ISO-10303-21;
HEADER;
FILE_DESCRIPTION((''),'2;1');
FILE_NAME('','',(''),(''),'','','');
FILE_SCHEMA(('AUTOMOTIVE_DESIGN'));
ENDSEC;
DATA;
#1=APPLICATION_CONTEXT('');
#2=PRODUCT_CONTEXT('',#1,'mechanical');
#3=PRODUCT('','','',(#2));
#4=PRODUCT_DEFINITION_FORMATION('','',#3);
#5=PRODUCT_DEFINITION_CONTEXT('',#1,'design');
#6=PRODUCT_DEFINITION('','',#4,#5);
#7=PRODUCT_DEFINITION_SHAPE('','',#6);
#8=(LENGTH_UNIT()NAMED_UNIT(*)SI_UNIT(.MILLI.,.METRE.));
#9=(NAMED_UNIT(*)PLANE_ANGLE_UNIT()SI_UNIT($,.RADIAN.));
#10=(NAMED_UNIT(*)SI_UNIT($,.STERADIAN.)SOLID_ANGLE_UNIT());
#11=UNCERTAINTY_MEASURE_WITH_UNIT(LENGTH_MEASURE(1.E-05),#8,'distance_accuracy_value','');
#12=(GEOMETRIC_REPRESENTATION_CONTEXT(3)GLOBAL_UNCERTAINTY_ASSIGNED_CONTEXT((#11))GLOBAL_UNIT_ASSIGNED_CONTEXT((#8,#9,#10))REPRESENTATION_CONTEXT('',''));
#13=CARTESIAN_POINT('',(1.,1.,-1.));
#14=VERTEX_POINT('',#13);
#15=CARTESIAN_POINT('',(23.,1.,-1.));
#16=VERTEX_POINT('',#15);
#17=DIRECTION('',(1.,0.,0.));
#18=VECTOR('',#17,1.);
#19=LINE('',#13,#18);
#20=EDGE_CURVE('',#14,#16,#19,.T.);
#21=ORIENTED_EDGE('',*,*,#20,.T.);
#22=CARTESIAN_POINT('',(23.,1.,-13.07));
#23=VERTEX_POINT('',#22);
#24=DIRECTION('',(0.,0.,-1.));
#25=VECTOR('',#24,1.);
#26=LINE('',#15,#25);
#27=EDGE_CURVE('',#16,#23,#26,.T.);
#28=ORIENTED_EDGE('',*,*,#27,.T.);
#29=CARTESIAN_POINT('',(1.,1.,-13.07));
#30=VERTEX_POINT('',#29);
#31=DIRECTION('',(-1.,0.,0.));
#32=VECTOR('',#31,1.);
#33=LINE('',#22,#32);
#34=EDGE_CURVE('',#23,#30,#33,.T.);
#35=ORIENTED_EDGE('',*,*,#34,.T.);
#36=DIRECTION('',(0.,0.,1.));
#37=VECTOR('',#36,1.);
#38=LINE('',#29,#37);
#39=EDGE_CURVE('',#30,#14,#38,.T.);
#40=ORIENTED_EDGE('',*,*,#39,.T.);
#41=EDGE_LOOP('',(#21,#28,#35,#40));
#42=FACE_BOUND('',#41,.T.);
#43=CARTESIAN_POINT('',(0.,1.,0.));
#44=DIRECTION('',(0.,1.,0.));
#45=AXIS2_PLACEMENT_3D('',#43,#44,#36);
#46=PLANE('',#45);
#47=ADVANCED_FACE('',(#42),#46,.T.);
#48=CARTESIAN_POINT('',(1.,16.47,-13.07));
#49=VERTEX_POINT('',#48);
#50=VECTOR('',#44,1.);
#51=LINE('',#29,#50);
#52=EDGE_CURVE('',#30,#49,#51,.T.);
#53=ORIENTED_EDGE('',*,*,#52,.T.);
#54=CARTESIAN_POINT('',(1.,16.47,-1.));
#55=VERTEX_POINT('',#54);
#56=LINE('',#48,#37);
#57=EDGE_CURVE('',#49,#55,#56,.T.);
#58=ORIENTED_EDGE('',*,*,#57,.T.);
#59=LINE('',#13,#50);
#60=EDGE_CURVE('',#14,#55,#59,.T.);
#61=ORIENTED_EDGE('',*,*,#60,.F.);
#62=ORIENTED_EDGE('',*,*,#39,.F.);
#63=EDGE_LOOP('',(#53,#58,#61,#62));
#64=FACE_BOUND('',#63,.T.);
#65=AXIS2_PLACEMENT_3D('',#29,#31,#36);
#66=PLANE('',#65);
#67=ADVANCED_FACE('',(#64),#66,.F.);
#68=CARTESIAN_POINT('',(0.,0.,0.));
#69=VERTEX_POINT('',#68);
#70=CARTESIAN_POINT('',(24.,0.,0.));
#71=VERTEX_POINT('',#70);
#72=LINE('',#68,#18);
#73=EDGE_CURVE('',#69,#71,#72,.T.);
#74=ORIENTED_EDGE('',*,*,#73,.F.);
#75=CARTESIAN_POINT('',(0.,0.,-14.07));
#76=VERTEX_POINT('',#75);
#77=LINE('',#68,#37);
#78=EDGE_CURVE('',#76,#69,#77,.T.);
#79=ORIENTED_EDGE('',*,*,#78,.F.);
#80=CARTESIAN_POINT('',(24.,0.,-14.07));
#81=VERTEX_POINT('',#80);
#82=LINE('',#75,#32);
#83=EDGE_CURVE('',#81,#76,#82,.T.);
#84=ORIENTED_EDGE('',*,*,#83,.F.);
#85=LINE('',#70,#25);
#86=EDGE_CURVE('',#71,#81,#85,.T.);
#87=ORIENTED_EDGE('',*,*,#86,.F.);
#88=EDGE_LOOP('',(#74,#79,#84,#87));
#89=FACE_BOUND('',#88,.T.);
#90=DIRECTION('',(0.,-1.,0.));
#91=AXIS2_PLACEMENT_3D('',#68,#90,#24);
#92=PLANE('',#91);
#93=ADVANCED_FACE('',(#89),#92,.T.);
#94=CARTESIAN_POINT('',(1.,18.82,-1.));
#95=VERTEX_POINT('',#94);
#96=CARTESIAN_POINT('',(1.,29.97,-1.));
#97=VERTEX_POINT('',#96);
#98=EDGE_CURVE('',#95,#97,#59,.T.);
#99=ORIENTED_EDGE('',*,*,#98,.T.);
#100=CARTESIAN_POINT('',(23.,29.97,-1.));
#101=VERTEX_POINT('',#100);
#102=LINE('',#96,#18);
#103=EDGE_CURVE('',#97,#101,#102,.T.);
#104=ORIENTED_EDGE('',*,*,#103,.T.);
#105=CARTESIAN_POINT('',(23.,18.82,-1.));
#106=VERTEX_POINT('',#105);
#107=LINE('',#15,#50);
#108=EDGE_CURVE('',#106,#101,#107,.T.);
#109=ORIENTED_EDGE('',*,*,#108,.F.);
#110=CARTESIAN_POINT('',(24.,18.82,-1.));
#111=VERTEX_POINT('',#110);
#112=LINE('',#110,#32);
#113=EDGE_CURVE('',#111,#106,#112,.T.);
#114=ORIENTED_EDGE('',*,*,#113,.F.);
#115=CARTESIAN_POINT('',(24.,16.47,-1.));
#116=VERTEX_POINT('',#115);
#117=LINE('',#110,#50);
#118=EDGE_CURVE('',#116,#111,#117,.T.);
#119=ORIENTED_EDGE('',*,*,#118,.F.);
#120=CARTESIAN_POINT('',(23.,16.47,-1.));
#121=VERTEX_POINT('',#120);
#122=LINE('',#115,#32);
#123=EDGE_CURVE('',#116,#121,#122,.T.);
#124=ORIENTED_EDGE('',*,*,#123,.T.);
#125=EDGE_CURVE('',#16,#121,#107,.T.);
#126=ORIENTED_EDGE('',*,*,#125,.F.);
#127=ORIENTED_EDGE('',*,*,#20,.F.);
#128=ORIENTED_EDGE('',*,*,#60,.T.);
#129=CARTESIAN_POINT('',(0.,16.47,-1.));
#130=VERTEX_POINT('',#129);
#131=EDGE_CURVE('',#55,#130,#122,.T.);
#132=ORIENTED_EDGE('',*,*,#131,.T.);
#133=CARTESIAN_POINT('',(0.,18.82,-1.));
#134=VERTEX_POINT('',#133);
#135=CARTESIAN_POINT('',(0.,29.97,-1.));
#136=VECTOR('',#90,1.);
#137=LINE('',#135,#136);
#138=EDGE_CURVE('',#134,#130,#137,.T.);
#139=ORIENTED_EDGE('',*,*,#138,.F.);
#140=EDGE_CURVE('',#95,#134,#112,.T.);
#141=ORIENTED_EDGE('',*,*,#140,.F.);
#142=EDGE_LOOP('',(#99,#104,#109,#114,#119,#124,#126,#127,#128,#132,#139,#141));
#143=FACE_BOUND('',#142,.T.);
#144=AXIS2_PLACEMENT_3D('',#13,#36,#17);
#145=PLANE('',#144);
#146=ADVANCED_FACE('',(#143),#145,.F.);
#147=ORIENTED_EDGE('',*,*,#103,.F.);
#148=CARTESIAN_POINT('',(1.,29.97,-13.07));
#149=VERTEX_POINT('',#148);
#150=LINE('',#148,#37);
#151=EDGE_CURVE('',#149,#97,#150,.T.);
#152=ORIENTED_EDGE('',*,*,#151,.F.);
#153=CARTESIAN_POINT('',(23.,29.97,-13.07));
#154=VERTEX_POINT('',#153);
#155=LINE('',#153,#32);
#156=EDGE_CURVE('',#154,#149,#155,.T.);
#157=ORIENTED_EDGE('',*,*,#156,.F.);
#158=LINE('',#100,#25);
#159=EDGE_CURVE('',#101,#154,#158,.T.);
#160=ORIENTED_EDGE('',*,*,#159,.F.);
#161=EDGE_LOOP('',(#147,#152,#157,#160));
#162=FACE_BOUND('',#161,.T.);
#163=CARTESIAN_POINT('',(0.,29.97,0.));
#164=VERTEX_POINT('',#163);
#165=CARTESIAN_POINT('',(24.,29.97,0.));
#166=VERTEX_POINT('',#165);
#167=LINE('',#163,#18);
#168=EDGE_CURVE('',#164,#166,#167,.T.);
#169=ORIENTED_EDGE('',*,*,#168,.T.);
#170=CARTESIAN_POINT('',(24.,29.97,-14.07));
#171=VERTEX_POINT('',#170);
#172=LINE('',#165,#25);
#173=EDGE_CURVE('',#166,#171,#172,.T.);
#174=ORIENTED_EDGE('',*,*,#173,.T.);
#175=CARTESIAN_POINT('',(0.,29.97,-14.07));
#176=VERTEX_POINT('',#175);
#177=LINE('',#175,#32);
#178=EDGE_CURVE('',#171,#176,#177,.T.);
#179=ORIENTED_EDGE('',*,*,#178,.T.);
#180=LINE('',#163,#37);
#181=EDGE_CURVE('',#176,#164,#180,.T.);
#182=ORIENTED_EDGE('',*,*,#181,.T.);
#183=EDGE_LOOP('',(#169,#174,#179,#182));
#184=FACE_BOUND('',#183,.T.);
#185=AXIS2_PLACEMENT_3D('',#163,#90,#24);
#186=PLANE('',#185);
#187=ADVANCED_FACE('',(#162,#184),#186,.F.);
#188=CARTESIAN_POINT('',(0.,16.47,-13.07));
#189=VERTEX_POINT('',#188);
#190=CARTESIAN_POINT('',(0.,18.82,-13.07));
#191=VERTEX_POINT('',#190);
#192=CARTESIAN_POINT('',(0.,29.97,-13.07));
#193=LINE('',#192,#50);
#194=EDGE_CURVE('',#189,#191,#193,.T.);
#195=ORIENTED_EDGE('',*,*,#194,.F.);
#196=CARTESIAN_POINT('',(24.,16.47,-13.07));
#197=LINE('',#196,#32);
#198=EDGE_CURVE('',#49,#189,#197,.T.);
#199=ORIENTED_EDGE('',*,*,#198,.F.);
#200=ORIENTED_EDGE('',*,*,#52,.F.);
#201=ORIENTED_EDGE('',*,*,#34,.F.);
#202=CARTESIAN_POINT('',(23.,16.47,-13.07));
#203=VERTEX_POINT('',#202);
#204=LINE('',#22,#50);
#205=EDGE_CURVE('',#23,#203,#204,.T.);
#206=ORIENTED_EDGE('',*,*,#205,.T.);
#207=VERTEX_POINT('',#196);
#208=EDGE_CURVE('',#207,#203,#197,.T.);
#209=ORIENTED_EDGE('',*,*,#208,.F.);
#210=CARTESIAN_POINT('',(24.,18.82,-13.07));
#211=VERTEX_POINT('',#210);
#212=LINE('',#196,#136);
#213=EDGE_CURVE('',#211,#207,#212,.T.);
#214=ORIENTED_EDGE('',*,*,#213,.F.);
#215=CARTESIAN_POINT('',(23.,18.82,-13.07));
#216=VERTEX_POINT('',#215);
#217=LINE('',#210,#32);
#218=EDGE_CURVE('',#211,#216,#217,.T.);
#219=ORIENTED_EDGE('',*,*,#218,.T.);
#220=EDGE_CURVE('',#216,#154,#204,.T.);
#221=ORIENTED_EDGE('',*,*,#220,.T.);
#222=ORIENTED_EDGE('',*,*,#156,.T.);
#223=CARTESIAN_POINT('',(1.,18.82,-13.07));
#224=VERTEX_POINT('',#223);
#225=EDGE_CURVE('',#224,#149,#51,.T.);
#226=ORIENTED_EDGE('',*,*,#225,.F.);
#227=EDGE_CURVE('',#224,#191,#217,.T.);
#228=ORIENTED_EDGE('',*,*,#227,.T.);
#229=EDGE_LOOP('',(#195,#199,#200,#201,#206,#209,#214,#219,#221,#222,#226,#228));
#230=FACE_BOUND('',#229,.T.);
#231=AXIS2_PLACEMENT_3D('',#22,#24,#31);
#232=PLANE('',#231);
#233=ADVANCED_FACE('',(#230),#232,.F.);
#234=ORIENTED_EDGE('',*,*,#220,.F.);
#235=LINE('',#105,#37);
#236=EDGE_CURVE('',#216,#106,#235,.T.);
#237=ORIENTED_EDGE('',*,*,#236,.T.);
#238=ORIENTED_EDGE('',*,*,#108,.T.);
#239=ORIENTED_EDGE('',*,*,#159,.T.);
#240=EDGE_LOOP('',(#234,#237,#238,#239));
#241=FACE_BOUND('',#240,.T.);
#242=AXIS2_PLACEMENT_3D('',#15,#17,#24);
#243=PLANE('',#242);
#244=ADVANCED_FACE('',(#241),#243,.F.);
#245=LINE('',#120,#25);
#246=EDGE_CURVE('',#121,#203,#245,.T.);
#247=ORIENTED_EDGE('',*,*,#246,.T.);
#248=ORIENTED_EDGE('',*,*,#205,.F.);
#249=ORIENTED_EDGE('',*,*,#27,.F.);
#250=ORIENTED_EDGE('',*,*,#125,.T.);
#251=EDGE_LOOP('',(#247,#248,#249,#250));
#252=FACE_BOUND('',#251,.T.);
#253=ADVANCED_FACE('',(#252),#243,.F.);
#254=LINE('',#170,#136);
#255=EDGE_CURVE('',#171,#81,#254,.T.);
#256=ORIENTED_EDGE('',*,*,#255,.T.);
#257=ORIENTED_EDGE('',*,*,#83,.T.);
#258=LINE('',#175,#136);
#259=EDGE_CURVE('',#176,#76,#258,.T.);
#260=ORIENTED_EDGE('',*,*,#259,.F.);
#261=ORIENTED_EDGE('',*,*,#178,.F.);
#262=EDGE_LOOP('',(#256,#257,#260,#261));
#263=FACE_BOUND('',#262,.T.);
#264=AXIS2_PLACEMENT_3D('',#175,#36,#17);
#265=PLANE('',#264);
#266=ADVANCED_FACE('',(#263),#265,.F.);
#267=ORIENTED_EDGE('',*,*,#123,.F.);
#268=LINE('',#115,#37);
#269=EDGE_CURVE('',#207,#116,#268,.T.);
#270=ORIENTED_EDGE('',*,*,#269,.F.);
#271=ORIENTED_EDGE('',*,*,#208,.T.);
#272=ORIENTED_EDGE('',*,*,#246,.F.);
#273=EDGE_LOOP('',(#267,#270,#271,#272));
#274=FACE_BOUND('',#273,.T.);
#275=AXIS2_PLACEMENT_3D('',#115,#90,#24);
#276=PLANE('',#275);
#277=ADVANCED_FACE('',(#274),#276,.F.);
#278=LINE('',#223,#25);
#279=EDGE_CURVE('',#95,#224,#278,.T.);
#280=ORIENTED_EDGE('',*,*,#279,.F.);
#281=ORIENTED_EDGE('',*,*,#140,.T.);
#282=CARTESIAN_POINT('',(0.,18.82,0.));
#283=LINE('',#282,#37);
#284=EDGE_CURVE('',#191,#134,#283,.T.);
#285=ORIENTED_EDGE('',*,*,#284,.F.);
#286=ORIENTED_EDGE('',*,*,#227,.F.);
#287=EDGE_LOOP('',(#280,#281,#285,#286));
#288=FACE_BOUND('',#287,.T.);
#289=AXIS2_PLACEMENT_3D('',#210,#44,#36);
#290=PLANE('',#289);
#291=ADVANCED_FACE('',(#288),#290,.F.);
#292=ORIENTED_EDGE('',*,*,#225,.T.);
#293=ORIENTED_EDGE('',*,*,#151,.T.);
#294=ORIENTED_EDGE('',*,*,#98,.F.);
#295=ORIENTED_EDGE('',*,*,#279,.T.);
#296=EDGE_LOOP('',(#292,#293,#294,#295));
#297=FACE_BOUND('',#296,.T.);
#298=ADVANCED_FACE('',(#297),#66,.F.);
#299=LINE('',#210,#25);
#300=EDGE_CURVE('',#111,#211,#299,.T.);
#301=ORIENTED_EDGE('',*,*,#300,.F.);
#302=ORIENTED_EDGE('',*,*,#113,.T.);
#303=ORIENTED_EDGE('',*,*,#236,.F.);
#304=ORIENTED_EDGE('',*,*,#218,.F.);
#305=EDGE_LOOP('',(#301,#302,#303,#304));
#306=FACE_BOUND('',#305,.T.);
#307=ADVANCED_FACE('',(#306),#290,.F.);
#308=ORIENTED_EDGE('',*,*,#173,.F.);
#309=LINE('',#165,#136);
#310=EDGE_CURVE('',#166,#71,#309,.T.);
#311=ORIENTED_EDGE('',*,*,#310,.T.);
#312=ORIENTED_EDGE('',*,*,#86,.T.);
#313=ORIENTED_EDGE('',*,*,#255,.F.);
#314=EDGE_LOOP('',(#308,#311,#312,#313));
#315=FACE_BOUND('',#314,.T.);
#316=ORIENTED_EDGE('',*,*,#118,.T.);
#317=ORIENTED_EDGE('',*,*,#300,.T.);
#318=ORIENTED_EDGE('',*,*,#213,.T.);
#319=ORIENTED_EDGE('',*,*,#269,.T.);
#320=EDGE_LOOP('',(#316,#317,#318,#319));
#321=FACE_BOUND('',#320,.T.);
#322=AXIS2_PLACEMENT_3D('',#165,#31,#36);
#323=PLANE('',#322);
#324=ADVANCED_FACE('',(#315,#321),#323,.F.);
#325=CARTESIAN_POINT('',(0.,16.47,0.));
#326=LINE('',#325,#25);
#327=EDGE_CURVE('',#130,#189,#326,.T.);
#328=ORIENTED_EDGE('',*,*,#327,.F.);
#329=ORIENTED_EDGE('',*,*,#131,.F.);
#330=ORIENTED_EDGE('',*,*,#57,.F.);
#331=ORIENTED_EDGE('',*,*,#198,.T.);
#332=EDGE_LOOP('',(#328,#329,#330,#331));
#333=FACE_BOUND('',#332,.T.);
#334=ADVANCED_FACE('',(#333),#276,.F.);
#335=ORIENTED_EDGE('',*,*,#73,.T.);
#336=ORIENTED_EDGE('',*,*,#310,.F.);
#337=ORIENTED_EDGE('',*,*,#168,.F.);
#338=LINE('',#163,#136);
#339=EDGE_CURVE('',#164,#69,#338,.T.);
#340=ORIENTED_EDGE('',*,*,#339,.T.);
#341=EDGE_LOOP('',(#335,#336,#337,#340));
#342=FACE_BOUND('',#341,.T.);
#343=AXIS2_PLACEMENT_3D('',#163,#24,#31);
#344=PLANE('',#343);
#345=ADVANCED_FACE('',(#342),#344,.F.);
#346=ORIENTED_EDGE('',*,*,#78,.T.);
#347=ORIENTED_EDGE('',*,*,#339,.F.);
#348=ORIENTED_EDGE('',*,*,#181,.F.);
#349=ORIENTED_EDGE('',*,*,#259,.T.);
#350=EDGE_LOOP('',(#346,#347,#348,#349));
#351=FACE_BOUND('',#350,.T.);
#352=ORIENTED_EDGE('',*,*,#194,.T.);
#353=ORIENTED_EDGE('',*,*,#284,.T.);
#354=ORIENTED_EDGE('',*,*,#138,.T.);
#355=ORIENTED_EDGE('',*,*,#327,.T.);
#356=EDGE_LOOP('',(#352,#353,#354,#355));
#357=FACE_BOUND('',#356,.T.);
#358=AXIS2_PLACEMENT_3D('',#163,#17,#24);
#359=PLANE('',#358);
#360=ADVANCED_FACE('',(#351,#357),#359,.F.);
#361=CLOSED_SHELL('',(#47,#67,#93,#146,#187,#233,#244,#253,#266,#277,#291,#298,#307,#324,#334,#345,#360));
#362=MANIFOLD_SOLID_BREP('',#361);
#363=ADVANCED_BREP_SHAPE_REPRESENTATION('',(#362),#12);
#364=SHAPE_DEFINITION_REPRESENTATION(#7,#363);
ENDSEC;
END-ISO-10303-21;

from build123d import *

# Parameters (mm, degrees)
SKETCH1_W               = 24
SKETCH1_H               = 14.07
BOSS_EXTRUDE1_DEPTH     = 29.97
SKETCH2_W               = 22
SKETCH2_H               = 12.07
CUT_EXTRUDE1_DEPTH      = 28.97
CUT_EXTRUDE2_DEPTH      = 41.892123936
CUT_EXTRUDE2_DEPTH_BACK = 41.892123936
SKETCH3_W               = 12.07
SKETCH3_H               = 2.35


with BuildPart() as part:
    # Sketch1 → Boss-Extrude1 (new body)
    with BuildSketch(Plane(origin=(0, 0, 0), x_dir=(1, 0, 0), z_dir=(0, 1, 0))):
        with Locations((12, 7.035)):
            Rectangle(SKETCH1_W, SKETCH1_H)
    extrude(amount=BOSS_EXTRUDE1_DEPTH)

    # Sketch2 → Cut-Extrude1 (cut)
    with BuildSketch(Plane(origin=(0, 29.97, 0), x_dir=(1, 0, 0), z_dir=(0, 1, 0))):
        with Locations((12, 7.035)):
            Rectangle(SKETCH2_W, SKETCH2_H)
    extrude(amount=-CUT_EXTRUDE1_DEPTH, mode=Mode.SUBTRACT)

    # Sketch3 → Cut-Extrude2 (cut, two sides: drawn at the far end of the back side and taken through both)
    with BuildSketch(Plane.ZY.offset(-CUT_EXTRUDE2_DEPTH_BACK)):
        with Locations((-7.035, 17.645)):
            Rectangle(SKETCH3_W, SKETCH3_H)
    extrude(amount=CUT_EXTRUDE2_DEPTH + CUT_EXTRUDE2_DEPTH_BACK, mode=Mode.SUBTRACT)


solid = part.part
